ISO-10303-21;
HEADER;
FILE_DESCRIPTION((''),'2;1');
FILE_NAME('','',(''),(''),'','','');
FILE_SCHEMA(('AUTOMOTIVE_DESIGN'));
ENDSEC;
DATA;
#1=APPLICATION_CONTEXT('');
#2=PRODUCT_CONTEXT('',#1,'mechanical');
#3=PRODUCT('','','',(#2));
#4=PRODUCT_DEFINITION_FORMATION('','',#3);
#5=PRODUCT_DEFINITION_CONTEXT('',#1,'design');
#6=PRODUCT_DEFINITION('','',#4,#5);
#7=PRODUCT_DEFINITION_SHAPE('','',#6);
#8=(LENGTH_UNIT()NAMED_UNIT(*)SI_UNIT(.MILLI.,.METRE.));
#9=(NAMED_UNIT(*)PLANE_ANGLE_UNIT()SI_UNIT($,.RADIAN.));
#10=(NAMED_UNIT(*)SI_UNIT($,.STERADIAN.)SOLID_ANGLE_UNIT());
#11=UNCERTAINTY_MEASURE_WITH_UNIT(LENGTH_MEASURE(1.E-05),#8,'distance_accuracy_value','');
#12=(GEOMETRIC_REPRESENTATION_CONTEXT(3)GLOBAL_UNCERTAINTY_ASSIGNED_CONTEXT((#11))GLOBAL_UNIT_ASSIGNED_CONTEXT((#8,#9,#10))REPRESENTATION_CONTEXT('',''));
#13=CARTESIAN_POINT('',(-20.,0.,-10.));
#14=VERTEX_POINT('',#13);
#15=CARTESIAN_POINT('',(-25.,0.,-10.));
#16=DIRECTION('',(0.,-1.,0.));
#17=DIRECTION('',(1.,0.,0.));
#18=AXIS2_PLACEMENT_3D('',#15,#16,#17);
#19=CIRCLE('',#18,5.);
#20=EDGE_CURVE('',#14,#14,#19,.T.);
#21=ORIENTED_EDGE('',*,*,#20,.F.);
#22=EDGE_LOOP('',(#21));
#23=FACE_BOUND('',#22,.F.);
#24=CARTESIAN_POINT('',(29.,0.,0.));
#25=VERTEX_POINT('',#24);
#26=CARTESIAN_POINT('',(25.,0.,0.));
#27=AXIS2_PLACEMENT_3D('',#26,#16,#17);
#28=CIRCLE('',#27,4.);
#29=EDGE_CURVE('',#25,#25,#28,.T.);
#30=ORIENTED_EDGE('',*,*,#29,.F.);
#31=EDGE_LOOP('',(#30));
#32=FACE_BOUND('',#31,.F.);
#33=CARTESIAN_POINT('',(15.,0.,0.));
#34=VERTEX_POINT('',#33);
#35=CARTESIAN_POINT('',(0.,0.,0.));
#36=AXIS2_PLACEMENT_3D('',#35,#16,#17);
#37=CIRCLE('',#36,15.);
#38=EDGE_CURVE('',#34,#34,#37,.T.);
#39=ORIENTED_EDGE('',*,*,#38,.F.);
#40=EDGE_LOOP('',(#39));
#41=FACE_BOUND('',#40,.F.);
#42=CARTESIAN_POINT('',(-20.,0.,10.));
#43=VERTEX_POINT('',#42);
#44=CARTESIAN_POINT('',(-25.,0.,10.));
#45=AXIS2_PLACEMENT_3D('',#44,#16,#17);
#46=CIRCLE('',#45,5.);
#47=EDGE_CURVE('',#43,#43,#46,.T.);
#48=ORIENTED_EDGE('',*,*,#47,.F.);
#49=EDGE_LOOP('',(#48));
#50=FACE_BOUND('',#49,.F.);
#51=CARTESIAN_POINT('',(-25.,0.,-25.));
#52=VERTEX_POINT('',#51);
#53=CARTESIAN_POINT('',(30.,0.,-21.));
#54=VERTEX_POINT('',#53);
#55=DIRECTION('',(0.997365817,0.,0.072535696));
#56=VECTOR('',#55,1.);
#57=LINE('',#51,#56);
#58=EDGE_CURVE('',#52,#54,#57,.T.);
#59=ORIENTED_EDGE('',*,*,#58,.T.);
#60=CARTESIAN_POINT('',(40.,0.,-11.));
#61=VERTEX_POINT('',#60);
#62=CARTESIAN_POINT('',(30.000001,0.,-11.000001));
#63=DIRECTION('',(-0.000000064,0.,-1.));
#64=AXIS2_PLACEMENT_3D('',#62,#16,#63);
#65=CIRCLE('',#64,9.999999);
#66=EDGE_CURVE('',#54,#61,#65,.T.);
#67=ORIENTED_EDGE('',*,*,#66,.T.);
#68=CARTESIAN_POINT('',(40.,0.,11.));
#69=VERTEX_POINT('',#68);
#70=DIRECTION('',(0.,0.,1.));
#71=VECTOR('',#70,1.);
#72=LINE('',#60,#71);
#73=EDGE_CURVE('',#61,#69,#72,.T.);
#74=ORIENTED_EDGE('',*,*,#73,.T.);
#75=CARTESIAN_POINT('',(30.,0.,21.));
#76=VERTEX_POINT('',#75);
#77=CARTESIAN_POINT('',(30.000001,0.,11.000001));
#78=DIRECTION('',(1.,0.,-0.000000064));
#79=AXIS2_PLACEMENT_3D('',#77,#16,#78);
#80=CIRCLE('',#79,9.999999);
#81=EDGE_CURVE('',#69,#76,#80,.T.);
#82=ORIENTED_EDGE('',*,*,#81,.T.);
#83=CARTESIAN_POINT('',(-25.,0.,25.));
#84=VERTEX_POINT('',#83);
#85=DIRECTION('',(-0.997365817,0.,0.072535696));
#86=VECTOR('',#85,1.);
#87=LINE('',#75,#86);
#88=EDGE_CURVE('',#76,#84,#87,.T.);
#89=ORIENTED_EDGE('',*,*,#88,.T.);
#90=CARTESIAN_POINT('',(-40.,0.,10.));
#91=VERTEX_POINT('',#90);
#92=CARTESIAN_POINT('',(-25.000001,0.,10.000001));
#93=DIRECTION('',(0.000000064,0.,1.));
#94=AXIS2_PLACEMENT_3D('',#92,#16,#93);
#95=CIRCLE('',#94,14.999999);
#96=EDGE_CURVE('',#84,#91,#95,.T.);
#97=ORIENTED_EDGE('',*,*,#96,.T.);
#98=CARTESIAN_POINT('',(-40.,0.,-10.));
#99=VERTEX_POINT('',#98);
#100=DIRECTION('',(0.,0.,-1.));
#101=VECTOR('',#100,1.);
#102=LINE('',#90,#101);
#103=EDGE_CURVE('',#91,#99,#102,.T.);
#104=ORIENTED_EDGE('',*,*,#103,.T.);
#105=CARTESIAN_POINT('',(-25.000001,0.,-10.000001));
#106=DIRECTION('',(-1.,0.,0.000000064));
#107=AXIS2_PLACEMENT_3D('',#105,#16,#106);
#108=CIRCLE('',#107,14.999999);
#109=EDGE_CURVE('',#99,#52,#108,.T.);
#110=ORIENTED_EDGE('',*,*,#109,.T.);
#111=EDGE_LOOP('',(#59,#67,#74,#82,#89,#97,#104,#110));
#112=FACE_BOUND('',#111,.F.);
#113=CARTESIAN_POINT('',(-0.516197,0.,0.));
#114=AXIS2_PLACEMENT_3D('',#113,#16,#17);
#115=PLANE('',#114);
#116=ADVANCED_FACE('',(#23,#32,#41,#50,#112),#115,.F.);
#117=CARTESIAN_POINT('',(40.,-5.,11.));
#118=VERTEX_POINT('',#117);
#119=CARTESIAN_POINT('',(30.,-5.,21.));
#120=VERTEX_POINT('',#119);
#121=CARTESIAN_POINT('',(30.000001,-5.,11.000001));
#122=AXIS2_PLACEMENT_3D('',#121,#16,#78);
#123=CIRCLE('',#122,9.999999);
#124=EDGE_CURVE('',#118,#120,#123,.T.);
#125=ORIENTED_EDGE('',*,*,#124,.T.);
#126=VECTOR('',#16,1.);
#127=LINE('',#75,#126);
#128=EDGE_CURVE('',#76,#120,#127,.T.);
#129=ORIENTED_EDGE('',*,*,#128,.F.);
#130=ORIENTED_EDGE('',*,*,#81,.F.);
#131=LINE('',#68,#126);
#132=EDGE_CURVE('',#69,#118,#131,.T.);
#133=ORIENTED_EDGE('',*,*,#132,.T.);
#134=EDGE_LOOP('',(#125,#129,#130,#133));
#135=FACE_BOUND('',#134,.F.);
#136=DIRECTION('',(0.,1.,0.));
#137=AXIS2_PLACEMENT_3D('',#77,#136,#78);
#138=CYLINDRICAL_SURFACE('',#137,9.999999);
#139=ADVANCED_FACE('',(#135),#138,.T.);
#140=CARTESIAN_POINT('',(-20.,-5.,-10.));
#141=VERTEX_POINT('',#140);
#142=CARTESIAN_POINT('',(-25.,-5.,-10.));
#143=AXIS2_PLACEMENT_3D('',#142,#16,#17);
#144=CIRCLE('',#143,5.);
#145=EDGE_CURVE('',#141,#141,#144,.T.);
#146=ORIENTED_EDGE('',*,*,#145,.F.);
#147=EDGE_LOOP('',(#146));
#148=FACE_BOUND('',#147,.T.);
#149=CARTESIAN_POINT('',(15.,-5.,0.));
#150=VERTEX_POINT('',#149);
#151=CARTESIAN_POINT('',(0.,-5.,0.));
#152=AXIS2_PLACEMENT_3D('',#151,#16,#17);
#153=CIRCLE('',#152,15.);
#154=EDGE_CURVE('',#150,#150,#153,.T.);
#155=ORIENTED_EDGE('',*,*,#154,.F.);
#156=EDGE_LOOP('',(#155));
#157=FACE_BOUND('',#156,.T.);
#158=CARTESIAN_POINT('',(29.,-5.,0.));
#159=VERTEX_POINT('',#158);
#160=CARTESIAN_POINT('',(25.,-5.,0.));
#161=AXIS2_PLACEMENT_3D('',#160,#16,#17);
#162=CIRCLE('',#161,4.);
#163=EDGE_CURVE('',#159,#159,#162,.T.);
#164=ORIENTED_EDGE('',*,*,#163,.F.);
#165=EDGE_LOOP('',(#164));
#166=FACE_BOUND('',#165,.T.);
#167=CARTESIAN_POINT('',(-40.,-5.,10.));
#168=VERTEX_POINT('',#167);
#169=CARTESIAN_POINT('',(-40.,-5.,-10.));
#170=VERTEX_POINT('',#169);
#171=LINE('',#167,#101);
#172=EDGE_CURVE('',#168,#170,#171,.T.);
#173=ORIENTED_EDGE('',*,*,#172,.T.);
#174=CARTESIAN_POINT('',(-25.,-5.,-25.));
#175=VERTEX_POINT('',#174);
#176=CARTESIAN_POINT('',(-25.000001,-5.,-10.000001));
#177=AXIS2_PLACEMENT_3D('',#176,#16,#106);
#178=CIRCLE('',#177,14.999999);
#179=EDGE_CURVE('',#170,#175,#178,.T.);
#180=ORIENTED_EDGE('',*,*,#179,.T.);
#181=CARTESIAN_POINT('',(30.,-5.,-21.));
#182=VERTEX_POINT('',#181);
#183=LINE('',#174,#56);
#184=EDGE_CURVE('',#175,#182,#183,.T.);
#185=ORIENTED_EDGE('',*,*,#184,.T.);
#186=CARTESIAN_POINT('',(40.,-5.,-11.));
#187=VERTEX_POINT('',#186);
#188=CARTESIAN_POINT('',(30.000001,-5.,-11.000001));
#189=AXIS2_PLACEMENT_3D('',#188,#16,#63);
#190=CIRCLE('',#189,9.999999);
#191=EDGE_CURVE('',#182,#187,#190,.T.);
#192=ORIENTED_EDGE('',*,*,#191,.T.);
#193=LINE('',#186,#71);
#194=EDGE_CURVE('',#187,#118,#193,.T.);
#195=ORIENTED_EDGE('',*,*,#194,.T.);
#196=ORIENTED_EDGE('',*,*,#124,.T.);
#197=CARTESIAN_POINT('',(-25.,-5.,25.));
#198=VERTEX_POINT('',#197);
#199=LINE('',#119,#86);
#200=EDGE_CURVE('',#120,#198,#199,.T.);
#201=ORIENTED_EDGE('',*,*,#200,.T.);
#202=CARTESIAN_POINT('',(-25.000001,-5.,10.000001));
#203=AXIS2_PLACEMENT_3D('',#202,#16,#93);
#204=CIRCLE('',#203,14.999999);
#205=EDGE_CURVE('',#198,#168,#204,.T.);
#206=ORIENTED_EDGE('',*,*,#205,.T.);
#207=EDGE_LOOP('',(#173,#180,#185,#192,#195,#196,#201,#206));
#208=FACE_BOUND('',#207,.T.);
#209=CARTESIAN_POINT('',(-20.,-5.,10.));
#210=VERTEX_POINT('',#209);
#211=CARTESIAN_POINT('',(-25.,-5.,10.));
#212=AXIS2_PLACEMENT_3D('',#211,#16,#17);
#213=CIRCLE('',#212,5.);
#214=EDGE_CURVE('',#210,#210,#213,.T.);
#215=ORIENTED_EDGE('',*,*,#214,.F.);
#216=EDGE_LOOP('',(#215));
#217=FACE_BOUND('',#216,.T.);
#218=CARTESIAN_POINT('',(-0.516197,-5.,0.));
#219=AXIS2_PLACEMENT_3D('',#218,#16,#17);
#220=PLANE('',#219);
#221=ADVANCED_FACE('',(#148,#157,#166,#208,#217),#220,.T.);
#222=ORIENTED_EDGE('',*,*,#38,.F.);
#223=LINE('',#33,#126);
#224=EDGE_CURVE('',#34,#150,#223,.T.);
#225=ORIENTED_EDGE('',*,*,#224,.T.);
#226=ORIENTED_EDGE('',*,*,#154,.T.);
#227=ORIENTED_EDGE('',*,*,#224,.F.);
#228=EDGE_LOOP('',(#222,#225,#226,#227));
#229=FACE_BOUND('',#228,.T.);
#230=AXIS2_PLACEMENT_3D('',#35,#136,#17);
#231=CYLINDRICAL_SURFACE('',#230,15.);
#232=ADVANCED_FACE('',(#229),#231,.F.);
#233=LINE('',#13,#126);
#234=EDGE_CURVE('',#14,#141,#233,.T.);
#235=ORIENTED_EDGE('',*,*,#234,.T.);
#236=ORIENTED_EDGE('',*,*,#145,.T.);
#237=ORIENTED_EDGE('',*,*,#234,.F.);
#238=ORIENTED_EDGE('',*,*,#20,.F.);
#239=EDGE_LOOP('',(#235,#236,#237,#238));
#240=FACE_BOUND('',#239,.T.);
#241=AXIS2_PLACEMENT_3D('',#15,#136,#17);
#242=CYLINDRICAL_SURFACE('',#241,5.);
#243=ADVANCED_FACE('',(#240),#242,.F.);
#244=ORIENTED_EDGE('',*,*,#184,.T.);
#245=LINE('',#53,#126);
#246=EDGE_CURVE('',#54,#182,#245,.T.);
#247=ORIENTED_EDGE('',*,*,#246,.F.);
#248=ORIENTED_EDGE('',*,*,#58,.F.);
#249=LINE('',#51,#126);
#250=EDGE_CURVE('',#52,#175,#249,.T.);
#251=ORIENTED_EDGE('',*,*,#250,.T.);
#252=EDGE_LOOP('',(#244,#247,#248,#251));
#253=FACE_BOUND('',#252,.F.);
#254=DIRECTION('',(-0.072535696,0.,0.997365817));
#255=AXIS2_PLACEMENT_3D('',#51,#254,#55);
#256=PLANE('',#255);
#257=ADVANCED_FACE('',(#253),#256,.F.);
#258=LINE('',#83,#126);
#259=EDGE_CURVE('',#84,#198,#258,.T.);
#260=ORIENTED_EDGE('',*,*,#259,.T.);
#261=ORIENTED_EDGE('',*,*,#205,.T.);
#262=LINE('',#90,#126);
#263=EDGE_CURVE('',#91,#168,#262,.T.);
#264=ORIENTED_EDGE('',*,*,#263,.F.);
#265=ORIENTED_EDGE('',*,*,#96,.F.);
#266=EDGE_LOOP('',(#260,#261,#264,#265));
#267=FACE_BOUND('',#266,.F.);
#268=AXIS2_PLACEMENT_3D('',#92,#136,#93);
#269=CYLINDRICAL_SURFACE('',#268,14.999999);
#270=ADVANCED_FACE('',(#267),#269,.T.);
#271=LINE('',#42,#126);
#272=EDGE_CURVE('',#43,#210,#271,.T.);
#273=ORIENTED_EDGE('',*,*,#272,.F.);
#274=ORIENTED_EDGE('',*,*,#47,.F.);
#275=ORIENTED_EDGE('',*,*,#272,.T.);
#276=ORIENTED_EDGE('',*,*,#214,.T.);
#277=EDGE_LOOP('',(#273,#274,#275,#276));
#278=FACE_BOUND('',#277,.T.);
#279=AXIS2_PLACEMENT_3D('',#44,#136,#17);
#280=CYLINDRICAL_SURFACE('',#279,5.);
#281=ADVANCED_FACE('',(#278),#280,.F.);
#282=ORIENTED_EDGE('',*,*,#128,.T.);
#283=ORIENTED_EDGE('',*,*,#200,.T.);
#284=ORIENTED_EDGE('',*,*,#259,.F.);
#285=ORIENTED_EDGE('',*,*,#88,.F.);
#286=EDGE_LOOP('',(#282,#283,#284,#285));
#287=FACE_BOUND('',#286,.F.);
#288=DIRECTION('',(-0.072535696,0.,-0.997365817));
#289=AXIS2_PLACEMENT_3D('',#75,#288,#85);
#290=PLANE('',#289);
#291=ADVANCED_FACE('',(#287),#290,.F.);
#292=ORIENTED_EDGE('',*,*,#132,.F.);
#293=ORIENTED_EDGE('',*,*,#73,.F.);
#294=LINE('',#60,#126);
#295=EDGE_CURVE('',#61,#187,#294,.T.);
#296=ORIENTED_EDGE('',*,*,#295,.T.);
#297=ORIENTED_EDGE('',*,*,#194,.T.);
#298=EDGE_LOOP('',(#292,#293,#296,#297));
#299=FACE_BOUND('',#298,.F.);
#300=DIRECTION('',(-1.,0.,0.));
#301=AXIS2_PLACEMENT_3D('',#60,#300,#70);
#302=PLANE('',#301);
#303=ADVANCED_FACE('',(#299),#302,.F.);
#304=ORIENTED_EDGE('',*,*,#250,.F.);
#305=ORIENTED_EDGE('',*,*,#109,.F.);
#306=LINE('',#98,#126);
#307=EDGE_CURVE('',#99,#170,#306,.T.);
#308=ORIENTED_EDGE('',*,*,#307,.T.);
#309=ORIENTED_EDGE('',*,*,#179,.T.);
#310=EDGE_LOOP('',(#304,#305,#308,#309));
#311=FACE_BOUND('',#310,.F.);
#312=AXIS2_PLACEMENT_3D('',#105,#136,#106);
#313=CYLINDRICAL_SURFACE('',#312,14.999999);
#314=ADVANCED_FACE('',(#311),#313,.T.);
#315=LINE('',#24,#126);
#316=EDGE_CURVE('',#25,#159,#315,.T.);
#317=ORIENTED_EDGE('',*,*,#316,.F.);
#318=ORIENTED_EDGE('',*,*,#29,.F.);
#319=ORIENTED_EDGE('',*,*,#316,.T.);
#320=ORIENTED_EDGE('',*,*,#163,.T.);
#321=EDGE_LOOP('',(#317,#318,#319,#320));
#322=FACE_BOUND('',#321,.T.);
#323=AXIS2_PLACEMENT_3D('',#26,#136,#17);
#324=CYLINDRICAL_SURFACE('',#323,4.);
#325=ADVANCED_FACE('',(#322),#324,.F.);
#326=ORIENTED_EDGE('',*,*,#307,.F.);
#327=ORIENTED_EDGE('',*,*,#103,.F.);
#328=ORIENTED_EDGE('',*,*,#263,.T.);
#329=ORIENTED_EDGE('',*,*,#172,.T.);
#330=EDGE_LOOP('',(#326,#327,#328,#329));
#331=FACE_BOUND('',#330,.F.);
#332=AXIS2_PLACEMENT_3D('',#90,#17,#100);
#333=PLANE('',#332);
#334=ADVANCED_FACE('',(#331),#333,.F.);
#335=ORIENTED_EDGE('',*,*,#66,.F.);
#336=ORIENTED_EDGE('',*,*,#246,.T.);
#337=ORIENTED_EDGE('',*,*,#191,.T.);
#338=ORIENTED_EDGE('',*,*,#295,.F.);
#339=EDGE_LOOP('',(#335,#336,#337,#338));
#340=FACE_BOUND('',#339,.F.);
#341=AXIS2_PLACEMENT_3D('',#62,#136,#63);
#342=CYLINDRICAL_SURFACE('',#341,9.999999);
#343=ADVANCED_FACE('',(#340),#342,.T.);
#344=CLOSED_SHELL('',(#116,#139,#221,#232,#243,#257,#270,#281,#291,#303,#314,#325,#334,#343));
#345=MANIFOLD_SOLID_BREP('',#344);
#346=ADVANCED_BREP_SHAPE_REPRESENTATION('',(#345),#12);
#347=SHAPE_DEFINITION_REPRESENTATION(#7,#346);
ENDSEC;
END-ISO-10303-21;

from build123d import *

# Parameters (mm, degrees)
F0_R     = 5
F0_R_2   = 15
F0_R_3   = 4
F1_DEPTH = 5


with BuildPart() as f1:
    # F0 (on Front) → F1 (new body)
    with BuildSketch(Plane.XZ):
        with BuildLine():
            ThreePointArc((-25, 25), (-35.606602, 20.606602), (-40, 10))
            Line((-40, 10), (-40, 0))
            Line((-40, 0), (-40, -10))
            ThreePointArc((-40, -10), (-35.606602, -20.606602), (-25, -25))
            Line((-25, -25), (30, -21))
            ThreePointArc((30, -21), (37.071068, -18.071068), (40, -11))
            Line((40, -11), (40, 0))
            Line((40, 0), (40, 11))
            ThreePointArc((40, 11), (37.071068, 18.071068), (30, 21))
            Line((30, 21), (-25, 25))
        make_face()
        with Locations((-25, -10)):
            Circle(F0_R, mode=Mode.SUBTRACT)
        with Locations((-25, 10)):
            Circle(F0_R, mode=Mode.SUBTRACT)
        Circle(F0_R_2, mode=Mode.SUBTRACT)
        with Locations((25, 0)):
            Circle(F0_R_3, mode=Mode.SUBTRACT)
    extrude(amount=F1_DEPTH)


solid = f1.part
